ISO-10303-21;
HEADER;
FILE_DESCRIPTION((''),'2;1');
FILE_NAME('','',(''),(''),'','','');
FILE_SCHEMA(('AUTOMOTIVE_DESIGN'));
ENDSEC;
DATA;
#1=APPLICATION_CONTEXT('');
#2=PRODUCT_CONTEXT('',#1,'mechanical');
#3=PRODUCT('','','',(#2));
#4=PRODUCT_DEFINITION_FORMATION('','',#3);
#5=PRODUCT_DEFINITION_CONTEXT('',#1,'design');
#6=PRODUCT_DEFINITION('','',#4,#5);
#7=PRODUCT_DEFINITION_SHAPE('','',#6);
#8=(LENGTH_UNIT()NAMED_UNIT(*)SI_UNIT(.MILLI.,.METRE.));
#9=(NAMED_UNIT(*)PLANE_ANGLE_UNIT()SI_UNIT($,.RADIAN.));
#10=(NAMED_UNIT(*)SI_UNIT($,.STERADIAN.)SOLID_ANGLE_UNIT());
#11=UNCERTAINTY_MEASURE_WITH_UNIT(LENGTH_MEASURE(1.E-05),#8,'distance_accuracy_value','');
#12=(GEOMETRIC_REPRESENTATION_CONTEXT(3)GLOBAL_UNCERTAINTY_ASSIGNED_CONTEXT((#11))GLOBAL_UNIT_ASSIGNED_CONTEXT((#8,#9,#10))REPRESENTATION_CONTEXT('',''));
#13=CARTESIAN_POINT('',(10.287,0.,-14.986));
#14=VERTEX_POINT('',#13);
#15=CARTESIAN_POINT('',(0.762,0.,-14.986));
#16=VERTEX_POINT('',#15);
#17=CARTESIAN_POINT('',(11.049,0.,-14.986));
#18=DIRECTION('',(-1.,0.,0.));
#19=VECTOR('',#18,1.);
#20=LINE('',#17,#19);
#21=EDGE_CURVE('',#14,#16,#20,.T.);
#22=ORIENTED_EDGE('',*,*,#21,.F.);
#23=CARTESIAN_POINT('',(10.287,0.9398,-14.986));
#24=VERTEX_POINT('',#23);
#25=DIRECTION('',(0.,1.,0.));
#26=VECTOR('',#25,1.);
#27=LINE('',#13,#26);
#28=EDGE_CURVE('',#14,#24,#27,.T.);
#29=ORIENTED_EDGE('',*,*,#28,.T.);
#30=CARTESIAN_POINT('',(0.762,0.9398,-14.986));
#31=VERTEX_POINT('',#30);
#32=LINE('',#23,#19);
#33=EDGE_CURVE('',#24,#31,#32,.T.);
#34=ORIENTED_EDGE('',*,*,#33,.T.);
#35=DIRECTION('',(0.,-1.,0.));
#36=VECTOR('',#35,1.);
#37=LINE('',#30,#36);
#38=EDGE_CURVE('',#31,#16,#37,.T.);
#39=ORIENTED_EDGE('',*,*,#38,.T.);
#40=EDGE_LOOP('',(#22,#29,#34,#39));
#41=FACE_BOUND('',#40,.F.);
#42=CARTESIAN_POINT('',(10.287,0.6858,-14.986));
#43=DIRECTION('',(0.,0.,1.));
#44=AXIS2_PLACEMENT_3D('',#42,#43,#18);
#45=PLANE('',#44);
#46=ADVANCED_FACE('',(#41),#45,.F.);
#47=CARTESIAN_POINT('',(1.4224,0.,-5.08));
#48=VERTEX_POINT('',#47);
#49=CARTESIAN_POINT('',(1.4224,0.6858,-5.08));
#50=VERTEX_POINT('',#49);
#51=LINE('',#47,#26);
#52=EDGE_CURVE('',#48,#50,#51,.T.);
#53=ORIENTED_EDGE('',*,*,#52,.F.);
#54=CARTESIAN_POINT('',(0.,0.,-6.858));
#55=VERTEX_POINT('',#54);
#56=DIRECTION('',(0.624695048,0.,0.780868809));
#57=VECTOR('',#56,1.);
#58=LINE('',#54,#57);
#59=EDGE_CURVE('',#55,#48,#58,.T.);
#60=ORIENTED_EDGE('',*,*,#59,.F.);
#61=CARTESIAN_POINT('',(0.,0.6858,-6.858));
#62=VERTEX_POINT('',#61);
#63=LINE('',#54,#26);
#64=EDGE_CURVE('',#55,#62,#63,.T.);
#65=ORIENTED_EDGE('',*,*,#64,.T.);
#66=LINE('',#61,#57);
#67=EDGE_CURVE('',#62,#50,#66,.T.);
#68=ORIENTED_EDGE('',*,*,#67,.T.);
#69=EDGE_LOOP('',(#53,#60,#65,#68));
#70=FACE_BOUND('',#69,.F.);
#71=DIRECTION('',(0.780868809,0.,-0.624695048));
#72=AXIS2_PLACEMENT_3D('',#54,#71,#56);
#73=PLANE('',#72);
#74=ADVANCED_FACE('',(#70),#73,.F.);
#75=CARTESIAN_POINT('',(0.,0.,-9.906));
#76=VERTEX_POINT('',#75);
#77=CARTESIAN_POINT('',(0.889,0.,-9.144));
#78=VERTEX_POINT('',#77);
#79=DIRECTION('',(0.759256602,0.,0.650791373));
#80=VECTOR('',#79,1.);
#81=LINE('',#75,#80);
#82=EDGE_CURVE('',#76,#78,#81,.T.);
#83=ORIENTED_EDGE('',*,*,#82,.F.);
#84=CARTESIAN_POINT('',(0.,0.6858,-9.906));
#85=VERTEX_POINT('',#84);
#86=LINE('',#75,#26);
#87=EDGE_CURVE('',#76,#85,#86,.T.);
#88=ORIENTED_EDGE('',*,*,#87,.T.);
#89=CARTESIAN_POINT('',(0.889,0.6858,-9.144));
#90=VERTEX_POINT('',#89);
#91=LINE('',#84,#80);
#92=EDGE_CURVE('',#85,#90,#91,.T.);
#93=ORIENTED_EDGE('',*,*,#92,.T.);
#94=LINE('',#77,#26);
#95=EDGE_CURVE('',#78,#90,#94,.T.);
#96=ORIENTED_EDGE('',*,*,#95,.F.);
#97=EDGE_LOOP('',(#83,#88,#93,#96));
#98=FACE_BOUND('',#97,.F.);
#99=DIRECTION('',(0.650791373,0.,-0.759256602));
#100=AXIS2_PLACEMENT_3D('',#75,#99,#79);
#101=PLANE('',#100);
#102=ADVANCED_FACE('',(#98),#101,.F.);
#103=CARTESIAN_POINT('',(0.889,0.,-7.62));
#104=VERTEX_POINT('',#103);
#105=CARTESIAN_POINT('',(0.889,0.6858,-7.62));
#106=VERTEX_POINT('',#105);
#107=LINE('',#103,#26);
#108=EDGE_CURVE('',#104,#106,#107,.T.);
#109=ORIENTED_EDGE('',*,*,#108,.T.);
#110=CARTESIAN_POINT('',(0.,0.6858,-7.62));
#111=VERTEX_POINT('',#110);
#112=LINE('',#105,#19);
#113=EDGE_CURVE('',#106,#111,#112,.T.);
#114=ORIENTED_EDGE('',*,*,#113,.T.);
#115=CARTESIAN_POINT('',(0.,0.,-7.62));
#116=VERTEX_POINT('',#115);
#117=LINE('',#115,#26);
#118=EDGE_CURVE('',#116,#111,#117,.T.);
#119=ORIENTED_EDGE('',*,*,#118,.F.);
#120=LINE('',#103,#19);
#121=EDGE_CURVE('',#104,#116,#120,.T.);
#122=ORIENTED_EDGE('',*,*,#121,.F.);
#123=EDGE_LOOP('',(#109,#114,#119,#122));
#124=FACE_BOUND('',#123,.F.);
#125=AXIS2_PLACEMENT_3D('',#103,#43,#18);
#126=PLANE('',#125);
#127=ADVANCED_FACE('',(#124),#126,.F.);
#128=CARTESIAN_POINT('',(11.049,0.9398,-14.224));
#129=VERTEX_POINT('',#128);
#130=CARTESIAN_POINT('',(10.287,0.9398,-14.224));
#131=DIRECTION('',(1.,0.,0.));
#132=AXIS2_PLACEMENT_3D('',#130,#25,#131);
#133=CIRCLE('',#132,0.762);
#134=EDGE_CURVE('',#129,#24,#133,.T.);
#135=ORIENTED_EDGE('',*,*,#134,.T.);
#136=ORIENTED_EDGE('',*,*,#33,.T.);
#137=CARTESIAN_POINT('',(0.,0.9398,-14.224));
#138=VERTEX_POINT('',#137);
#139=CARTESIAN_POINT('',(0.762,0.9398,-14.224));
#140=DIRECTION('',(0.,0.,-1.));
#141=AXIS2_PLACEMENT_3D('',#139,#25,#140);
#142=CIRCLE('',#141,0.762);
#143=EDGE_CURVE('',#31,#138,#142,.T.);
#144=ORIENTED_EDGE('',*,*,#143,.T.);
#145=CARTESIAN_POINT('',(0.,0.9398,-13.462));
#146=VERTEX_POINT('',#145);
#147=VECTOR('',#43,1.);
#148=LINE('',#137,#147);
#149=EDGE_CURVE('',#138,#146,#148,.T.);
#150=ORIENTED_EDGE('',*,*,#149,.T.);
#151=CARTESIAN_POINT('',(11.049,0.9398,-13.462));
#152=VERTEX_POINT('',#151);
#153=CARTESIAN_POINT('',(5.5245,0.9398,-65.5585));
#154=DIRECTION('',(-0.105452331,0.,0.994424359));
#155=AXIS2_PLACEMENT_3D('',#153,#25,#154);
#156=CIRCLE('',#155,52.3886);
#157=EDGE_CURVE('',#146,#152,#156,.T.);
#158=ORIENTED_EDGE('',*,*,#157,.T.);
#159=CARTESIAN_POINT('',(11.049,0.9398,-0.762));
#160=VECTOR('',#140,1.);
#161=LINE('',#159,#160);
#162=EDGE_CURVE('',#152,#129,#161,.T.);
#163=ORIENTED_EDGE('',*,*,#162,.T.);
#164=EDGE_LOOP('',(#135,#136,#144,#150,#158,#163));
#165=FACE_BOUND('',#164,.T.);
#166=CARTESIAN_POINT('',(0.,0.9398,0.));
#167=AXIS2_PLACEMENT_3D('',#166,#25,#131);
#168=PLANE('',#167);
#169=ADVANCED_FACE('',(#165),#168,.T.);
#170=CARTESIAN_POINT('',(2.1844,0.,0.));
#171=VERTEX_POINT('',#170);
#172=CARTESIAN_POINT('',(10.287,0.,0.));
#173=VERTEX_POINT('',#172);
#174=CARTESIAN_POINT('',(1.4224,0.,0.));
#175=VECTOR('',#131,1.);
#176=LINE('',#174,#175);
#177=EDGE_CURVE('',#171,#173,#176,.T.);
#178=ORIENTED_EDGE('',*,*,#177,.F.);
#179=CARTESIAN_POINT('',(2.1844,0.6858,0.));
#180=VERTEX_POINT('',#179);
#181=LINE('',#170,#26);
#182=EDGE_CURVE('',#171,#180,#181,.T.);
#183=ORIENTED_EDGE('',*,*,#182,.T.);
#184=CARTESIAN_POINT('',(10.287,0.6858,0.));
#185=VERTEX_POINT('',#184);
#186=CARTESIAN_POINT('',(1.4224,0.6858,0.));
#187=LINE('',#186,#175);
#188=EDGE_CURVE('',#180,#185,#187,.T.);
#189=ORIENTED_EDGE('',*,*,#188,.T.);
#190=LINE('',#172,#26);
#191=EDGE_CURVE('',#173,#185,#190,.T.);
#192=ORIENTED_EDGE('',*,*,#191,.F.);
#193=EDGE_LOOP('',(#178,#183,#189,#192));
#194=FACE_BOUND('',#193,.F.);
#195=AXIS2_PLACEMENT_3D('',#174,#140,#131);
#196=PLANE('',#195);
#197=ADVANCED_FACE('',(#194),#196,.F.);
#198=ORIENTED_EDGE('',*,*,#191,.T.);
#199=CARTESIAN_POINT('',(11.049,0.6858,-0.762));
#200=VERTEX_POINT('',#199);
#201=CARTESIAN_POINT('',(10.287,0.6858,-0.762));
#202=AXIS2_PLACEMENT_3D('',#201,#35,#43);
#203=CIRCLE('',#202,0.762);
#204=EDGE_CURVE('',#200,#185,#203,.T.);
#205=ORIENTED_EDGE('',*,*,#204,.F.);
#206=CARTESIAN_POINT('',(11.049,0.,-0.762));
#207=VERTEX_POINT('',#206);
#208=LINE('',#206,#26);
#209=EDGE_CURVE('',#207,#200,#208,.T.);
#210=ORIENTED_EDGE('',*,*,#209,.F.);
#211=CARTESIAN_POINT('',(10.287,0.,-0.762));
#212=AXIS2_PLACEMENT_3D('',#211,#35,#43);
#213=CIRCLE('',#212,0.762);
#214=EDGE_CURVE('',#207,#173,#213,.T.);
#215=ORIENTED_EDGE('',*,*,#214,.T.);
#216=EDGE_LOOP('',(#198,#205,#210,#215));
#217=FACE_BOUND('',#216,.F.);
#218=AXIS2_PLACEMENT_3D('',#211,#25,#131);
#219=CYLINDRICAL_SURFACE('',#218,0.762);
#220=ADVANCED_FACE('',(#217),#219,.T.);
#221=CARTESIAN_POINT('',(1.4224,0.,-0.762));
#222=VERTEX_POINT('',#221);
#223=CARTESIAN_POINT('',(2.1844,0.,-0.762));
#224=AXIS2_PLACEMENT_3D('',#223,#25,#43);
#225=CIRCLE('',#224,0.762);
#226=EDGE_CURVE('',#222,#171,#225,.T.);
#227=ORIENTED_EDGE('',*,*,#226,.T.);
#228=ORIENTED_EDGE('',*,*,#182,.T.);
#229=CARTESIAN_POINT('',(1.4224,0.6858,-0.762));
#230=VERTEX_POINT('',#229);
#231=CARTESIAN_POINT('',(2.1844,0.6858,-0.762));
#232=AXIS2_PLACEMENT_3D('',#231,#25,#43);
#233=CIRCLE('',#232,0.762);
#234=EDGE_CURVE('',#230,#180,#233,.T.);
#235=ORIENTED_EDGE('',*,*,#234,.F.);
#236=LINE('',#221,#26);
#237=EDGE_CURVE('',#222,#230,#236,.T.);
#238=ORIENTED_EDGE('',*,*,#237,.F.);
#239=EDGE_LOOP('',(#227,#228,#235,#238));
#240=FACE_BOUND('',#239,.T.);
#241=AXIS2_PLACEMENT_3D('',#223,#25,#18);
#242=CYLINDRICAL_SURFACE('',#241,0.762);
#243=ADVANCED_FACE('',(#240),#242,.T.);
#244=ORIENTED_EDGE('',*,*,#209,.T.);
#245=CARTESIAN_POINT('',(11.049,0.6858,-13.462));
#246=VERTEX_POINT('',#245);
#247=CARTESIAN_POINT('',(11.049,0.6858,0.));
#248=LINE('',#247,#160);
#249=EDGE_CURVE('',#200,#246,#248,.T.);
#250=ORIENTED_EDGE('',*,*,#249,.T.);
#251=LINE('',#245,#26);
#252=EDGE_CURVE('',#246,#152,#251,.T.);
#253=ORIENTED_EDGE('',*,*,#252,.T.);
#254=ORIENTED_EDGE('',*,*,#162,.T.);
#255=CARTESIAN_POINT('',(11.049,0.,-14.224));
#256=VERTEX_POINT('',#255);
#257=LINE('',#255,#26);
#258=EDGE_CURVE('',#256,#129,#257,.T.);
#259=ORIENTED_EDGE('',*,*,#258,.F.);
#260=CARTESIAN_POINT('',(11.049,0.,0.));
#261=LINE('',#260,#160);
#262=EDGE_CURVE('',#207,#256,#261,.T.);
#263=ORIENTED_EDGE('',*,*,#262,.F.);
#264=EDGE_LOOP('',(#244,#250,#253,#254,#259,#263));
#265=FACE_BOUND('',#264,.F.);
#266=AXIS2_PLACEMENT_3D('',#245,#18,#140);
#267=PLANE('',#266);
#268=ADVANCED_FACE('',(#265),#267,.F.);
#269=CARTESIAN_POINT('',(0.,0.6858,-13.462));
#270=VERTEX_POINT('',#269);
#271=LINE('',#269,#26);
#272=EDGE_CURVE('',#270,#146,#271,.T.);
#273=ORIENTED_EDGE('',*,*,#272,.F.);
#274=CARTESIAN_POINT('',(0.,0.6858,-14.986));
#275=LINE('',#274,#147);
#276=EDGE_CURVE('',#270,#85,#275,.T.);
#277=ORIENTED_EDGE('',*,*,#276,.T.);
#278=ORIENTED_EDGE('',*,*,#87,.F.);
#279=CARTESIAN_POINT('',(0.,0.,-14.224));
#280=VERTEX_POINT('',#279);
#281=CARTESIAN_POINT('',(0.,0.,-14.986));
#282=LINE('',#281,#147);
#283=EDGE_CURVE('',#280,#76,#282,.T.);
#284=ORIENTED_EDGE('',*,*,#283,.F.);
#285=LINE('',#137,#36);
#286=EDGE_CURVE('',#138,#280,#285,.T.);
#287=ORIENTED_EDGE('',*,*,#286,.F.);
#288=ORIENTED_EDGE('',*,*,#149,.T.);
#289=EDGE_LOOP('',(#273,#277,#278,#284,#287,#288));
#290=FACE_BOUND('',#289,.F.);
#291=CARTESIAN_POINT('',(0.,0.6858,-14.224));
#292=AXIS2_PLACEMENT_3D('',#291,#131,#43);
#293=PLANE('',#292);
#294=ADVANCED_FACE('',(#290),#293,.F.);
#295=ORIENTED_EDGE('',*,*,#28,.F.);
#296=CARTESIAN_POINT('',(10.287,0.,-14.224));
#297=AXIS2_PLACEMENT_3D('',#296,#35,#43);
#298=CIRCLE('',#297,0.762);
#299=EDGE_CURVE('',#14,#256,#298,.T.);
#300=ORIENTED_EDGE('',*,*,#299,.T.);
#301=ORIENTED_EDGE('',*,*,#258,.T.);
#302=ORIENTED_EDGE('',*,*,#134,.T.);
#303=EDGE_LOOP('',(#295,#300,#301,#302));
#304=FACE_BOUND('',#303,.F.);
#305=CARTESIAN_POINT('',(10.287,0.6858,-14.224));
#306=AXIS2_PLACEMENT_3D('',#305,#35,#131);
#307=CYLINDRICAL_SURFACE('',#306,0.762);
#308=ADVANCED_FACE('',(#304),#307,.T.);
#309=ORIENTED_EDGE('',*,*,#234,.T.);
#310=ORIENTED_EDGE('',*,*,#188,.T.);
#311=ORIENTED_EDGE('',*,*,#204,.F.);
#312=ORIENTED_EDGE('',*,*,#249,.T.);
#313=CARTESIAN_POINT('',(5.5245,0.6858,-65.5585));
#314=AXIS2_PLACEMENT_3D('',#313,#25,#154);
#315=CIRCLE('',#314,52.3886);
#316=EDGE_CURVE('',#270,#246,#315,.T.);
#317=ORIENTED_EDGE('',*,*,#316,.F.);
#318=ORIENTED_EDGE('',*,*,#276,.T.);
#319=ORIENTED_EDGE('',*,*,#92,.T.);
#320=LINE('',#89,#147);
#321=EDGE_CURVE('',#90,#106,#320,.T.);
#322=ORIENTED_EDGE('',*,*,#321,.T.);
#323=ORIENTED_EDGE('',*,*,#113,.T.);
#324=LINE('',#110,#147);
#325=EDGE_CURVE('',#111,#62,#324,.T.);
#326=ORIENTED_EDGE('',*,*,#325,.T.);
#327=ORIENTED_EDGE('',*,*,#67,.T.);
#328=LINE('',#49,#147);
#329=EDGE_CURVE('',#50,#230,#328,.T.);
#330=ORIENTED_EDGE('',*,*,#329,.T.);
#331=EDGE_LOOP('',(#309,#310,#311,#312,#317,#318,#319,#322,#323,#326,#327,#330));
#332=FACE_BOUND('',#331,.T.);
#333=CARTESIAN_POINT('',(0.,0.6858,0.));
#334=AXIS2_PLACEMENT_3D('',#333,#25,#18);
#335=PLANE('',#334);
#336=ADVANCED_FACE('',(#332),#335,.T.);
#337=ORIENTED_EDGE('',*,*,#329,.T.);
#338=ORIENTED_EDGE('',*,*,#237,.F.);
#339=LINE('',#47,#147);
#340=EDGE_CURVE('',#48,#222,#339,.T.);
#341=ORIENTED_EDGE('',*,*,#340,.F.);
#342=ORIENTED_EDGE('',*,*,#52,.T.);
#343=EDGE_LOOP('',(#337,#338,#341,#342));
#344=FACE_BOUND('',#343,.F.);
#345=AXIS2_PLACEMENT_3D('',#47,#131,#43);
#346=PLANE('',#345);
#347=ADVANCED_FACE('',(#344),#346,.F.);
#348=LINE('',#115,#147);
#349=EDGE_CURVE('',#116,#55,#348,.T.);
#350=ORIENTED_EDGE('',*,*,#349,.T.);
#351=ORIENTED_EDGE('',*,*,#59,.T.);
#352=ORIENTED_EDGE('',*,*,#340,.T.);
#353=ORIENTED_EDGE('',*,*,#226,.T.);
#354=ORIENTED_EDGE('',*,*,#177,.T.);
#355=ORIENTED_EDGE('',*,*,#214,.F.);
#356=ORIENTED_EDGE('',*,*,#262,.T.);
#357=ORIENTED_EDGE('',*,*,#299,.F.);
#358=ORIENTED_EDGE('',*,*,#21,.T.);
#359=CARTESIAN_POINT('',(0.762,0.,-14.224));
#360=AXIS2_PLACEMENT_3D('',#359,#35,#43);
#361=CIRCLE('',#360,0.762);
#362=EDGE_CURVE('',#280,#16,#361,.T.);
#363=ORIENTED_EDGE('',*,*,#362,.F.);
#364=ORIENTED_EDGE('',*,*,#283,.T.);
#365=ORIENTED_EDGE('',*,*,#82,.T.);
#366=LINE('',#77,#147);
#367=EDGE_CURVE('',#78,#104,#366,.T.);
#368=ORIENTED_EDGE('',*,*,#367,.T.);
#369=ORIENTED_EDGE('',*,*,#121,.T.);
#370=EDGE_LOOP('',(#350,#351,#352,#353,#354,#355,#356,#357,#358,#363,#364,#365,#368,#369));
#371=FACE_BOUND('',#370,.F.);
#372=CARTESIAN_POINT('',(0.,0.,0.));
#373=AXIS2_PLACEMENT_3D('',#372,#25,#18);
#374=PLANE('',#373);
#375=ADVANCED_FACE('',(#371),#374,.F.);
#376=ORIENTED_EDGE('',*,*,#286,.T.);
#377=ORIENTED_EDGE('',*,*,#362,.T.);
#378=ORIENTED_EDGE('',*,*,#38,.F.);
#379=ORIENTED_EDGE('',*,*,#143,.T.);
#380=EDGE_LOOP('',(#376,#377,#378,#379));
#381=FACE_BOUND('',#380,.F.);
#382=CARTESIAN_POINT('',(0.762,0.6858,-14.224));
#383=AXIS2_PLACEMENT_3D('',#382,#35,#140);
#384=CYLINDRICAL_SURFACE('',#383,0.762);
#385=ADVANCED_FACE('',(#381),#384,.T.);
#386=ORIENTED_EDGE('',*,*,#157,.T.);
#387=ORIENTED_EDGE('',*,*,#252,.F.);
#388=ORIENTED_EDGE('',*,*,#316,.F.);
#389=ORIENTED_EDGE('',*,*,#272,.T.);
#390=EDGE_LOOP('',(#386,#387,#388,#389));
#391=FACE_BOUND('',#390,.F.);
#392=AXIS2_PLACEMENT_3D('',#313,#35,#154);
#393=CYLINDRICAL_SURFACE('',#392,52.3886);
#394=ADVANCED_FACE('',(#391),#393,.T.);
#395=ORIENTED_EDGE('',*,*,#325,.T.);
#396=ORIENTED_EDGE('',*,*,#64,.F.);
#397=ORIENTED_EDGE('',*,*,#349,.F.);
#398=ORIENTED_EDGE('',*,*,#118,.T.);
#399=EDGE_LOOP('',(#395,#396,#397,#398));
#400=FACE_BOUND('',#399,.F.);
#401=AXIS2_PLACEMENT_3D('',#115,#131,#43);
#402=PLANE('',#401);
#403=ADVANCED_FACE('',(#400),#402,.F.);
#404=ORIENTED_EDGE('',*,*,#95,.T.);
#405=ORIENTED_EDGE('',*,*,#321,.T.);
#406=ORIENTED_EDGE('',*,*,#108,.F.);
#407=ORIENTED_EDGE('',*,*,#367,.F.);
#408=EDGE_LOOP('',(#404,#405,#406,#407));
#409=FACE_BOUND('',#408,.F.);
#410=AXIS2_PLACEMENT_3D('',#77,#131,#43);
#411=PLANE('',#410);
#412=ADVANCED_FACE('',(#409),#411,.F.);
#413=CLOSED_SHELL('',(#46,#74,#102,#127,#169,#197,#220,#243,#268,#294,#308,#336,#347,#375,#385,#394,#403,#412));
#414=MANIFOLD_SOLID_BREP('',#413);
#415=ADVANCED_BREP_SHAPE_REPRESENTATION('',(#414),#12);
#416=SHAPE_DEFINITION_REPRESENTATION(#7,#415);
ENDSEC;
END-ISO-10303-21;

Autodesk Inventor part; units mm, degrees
ref_plane "YZ Plane" through (0, 0, 0) normal (1, 0, 0) x (0, 1, 0)
ref_plane "XZ Plane" through (0, 0, 0) normal (0, 1, 0) x (-1, 0, 0)
ref_plane "XY Plane" through (0, 0, 0) normal (0, 0, 1) x (1, 0, 0)
sketch "Sketch1" plane through (0, 0, 0) normal (0, 1, 0) x (-1, 0, 0)
  line L0 (-1.4224, 0) -> (-11.049, 0)
  line L1 (-11.049, 0) -> (-11.049, -14.986)
  line L2 (-11.049, -14.986) -> (0, -14.986)
  line L3 (0, -14.986) -> (0, -9.906)
  line L4 (0, -9.906) -> (-0.889, -9.144)
  line L5 (-0.889, -9.144) -> (-0.889, -7.62)
  line L6 (-0.889, -7.62) -> (0, -7.62)
  line L7 (0, -7.62) -> (0, -6.858)
  line L8 (0, -6.858) -> (-1.4224, -5.08)
  line L9 (-1.4224, -5.08) -> (-1.4224, 0)
  point P0 (0, 0)
  dimension "d0" = 14.986
  dimension "d1" = 11.049
  dimension "d2" = 9.6266
  dimension "d3" = 0.889
  dimension "d4" = 5.08
  dimension "d5" = 7.62
  dimension "d6" = 0.762
  dimension "d7" = 1.778
  dimension "d8" = 5.08
extrude "Extrusion1" add sketch "Sketch1" along normal blind 0.6858
fillet "Fillet1" radius 0.762 4 edges at (11.049, 0.3429, -14.986) (0, 0.3429, -14.986) (11.049, 0.3429, 0) (1.4224, 0.3429, 0)
sketch "Sketch2" plane through (0, 0.6858, 0) normal (0, 1, 0) x (1, 0, 0)
  arc A0 (1.4224, 0.762) -> (2.1844, 0) centre (2.1844, 0.762) ccw projected
  line L0 (2.1844, 0) -> (10.287, 0) projected
  arc A1 (10.287, 0) -> (11.049, 0.762) centre (10.287, 0.762) ccw projected
  line L1 (11.049, 0.762) -> (11.049, 14.224) projected
  arc A2 (11.049, 14.224) -> (10.287, 14.986) centre (10.287, 14.224) ccw projected
  line L2 (10.287, 14.986) -> (0.762, 14.986) projected
  arc A3 (0.762, 14.986) -> (0, 14.224) centre (0.762, 14.224) ccw projected
  line L3 (0, 14.224) -> (0, 9.906) projected
  line L4 (0, 9.906) -> (0.889, 9.144) projected
  line L5 (0.889, 9.144) -> (0.889, 7.62) projected
  line L6 (0.889, 7.62) -> (0, 7.62) projected
  line L7 (0, 7.62) -> (0, 6.858) projected
  line L8 (0, 6.858) -> (1.4224, 5.08) projected
  line L9 (1.4224, 5.08) -> (1.4224, 0.762) projected
  line L10 (0, 14.224) -> (0, 9.906) projected
  arc A4 (0, 13.462) -> (11.049, 13.462) centre (5.5245, 65.5585) ccw
  point P0 (0, 0)
  dimension "d12" = 1.524
  dimension "d13" = 1.8161
extrude "Extrusion2" add sketch "Sketch2" along normal blind 0.254 contours A4 L3 A3 L2 A2 L1
properties part number "MicroSD Card"
